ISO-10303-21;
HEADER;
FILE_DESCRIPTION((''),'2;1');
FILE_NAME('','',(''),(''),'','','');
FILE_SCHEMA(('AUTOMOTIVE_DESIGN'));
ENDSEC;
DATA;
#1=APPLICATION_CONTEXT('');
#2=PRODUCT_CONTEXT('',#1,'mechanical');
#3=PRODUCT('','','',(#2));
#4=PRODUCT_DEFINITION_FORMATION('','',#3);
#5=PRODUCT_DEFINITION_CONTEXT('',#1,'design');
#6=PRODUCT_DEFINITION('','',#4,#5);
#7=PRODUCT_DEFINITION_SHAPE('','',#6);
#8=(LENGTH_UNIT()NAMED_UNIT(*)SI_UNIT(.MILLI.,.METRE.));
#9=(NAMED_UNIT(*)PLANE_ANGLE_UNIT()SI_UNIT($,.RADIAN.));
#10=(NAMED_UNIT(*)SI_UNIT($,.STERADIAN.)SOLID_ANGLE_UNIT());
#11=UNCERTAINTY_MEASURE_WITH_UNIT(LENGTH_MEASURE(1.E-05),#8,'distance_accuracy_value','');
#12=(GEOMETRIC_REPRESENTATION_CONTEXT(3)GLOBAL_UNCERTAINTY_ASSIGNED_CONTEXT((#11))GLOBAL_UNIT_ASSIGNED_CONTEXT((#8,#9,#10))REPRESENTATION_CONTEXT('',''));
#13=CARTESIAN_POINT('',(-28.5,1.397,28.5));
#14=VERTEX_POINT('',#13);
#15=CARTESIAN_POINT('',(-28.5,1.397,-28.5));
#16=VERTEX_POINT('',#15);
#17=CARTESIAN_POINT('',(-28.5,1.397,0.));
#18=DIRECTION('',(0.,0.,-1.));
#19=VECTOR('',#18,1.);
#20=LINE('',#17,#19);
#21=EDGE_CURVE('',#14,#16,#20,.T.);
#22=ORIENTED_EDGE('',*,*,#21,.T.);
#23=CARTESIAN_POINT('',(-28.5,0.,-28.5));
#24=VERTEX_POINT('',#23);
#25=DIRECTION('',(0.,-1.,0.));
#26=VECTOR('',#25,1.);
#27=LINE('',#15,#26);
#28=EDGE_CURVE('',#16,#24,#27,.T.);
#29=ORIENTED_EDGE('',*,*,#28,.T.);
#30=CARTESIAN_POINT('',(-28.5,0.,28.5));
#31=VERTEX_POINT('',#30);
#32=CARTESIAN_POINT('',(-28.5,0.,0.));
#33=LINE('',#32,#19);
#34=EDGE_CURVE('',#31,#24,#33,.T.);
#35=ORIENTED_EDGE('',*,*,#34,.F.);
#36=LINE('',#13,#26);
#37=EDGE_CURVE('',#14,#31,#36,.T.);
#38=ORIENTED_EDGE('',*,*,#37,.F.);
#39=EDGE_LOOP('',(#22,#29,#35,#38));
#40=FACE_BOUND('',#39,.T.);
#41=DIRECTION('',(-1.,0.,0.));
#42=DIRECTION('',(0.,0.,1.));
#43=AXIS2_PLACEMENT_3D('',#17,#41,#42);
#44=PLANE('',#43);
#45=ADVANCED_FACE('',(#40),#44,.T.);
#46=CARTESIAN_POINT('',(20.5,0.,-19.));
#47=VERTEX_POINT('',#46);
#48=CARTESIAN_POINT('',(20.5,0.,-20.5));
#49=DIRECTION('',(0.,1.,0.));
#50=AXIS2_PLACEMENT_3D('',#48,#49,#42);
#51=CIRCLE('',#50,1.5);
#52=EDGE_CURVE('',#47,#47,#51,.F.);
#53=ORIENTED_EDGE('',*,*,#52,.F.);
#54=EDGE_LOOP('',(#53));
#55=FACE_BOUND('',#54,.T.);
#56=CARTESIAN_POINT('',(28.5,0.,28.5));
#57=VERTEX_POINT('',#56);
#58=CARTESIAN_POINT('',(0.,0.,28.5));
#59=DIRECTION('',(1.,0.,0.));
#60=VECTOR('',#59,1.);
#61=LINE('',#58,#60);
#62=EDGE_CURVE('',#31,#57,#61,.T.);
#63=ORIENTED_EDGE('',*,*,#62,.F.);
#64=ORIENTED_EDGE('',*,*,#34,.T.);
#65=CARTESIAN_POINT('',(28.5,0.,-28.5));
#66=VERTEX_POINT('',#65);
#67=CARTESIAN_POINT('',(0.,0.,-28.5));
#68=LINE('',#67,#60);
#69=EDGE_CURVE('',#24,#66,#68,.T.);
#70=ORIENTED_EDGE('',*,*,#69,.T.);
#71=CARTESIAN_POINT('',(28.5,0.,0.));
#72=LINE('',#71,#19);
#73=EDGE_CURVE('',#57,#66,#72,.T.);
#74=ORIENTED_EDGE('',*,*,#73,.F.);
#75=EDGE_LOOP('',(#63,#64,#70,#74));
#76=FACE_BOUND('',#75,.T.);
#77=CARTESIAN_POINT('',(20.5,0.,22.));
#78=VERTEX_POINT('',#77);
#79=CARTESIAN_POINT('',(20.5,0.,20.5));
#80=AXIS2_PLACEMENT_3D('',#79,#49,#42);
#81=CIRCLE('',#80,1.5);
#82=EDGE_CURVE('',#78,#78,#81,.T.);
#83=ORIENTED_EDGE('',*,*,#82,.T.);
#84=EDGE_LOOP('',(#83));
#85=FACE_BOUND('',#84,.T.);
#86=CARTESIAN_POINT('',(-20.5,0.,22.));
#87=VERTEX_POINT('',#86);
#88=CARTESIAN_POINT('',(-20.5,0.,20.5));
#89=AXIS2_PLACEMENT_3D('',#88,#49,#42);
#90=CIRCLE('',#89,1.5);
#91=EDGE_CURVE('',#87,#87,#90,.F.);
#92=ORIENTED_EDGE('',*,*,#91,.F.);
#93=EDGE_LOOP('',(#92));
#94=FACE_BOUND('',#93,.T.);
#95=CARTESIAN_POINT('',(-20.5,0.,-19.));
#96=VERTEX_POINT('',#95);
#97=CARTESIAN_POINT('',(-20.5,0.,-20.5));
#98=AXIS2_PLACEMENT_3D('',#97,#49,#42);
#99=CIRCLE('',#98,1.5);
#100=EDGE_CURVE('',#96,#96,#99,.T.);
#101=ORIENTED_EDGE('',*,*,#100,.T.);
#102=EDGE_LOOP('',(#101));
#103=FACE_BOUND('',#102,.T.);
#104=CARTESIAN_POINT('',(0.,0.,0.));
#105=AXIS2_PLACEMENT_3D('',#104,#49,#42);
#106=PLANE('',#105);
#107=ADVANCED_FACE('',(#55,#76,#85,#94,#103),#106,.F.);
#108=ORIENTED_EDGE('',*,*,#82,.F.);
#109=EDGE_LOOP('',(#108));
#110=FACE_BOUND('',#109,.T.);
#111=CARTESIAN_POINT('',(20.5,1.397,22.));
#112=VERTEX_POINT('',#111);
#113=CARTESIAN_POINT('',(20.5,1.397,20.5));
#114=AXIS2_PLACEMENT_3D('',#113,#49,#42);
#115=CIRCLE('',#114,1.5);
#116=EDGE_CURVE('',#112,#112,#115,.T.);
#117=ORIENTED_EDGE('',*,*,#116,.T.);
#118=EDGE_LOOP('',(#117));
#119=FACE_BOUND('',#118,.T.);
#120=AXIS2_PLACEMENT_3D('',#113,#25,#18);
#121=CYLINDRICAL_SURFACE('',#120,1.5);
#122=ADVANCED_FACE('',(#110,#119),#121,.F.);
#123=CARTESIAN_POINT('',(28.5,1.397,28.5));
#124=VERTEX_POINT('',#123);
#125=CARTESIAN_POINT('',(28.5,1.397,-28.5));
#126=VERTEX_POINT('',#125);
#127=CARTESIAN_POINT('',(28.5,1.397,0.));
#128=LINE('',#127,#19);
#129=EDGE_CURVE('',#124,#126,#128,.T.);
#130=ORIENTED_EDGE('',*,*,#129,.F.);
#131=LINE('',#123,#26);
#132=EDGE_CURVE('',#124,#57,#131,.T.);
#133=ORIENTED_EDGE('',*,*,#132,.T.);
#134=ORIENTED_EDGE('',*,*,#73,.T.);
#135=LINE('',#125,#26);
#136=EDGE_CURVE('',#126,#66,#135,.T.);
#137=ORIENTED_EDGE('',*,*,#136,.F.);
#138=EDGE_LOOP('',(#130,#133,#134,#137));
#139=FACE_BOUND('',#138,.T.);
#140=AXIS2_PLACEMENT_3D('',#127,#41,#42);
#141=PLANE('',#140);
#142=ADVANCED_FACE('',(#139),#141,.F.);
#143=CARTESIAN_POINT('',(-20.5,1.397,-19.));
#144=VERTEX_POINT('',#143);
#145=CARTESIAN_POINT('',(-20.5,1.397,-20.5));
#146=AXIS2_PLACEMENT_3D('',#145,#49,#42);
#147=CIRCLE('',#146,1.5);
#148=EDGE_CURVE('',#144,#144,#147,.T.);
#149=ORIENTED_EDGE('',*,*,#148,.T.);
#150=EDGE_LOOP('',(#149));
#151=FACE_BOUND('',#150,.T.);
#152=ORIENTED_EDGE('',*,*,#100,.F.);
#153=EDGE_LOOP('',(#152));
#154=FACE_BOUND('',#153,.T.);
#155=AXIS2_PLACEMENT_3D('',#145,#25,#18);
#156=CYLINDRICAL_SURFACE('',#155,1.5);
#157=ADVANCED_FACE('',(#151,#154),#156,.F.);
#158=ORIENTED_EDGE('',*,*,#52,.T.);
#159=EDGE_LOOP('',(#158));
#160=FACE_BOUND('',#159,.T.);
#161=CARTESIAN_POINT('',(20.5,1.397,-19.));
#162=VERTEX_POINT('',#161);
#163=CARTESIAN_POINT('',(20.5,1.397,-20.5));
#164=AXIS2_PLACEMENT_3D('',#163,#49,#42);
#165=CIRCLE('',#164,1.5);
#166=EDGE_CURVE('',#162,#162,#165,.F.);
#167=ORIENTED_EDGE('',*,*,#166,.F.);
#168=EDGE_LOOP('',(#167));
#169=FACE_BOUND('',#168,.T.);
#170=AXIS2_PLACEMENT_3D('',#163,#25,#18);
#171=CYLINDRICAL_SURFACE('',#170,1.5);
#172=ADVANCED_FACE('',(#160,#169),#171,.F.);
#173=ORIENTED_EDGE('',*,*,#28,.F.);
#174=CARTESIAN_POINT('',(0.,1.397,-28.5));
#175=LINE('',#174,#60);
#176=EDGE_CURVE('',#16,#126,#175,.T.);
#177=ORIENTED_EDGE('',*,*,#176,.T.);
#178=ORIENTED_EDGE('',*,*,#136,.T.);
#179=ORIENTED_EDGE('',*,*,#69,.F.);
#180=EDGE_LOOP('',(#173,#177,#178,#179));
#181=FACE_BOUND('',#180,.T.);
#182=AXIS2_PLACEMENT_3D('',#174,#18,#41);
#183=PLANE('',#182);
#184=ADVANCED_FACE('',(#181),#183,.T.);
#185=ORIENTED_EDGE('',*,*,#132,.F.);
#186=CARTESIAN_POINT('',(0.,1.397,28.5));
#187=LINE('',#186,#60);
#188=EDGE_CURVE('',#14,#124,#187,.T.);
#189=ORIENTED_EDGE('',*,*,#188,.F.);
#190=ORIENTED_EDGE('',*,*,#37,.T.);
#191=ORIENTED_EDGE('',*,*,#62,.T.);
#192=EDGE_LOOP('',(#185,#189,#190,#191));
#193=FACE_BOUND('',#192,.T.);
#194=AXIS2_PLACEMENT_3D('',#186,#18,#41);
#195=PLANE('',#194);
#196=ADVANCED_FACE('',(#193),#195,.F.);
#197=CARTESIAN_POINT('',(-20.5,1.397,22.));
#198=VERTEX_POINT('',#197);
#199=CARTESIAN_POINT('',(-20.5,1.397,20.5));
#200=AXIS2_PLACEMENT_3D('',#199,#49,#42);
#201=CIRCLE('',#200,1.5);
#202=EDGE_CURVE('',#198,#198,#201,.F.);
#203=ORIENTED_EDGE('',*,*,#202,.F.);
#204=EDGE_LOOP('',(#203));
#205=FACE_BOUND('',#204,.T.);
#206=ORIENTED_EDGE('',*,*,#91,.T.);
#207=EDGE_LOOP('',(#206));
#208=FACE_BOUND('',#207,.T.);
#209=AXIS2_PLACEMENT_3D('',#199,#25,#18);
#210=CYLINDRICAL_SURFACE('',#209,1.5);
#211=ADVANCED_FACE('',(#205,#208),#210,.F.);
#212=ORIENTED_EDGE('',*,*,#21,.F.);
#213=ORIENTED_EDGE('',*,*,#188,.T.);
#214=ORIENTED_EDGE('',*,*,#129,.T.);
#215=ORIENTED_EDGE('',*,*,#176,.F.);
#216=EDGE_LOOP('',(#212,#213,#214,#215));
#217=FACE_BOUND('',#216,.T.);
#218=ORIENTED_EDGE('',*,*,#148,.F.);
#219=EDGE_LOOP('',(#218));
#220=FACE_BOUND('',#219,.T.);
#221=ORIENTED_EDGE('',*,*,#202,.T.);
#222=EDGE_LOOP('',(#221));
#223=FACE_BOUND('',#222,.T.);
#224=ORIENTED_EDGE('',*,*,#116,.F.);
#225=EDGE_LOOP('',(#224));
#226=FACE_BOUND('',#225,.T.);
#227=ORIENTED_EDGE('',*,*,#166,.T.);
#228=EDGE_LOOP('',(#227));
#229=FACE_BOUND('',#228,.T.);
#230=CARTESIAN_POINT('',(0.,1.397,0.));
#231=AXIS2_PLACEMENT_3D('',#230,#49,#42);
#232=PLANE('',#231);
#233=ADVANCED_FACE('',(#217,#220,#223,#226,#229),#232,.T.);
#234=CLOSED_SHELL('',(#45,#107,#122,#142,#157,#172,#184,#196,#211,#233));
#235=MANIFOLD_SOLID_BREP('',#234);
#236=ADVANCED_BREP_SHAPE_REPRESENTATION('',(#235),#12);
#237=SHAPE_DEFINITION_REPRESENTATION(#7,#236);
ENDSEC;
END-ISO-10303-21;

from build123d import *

# Parameters (mm, degrees)
SKETCH1_W           = 57
SKETCH1_H           = 57
SKETCH1_R           = 1.5
SKETCH1_W_2         = 25
SKETCH1_H_2         = 25
BOSS_EXTRUDE1_DEPTH = 1.397


with BuildPart() as part:
    # Sketch1 → Boss-Extrude1 (new body)
    # profile 1 of 2: a face of its own
    with BuildSketch(Plane(origin=(0, 0, 0), x_dir=(1, 0, 0), z_dir=(0, 1, 0))):
        Rectangle(SKETCH1_W, SKETCH1_H)
        with Locations(Location((-20.5, -20.5, 0), (0, 0, 270))):
            Circle(SKETCH1_R, mode=Mode.SUBTRACT)
        with Locations(Location((-20.5, 20.5, 0), (0, 0, 270))):
            Circle(SKETCH1_R, mode=Mode.SUBTRACT)
        with Locations(Location((20.5, -20.5, 0), (0, 0, 270))):
            Circle(SKETCH1_R, mode=Mode.SUBTRACT)
        with Locations(Location((20.5, 20.5, 0), (0, 0, 270))):
            Circle(SKETCH1_R, mode=Mode.SUBTRACT)
        Rectangle(SKETCH1_W_2, SKETCH1_H_2, mode=Mode.SUBTRACT)
    # profile 2 of 2: a face of its own
    with BuildSketch(Plane(origin=(0, 0, 0), x_dir=(1, 0, 0), z_dir=(0, 1, 0))):
        Rectangle(SKETCH1_W_2, SKETCH1_H_2)
    extrude(amount=BOSS_EXTRUDE1_DEPTH)


solid = part.part
